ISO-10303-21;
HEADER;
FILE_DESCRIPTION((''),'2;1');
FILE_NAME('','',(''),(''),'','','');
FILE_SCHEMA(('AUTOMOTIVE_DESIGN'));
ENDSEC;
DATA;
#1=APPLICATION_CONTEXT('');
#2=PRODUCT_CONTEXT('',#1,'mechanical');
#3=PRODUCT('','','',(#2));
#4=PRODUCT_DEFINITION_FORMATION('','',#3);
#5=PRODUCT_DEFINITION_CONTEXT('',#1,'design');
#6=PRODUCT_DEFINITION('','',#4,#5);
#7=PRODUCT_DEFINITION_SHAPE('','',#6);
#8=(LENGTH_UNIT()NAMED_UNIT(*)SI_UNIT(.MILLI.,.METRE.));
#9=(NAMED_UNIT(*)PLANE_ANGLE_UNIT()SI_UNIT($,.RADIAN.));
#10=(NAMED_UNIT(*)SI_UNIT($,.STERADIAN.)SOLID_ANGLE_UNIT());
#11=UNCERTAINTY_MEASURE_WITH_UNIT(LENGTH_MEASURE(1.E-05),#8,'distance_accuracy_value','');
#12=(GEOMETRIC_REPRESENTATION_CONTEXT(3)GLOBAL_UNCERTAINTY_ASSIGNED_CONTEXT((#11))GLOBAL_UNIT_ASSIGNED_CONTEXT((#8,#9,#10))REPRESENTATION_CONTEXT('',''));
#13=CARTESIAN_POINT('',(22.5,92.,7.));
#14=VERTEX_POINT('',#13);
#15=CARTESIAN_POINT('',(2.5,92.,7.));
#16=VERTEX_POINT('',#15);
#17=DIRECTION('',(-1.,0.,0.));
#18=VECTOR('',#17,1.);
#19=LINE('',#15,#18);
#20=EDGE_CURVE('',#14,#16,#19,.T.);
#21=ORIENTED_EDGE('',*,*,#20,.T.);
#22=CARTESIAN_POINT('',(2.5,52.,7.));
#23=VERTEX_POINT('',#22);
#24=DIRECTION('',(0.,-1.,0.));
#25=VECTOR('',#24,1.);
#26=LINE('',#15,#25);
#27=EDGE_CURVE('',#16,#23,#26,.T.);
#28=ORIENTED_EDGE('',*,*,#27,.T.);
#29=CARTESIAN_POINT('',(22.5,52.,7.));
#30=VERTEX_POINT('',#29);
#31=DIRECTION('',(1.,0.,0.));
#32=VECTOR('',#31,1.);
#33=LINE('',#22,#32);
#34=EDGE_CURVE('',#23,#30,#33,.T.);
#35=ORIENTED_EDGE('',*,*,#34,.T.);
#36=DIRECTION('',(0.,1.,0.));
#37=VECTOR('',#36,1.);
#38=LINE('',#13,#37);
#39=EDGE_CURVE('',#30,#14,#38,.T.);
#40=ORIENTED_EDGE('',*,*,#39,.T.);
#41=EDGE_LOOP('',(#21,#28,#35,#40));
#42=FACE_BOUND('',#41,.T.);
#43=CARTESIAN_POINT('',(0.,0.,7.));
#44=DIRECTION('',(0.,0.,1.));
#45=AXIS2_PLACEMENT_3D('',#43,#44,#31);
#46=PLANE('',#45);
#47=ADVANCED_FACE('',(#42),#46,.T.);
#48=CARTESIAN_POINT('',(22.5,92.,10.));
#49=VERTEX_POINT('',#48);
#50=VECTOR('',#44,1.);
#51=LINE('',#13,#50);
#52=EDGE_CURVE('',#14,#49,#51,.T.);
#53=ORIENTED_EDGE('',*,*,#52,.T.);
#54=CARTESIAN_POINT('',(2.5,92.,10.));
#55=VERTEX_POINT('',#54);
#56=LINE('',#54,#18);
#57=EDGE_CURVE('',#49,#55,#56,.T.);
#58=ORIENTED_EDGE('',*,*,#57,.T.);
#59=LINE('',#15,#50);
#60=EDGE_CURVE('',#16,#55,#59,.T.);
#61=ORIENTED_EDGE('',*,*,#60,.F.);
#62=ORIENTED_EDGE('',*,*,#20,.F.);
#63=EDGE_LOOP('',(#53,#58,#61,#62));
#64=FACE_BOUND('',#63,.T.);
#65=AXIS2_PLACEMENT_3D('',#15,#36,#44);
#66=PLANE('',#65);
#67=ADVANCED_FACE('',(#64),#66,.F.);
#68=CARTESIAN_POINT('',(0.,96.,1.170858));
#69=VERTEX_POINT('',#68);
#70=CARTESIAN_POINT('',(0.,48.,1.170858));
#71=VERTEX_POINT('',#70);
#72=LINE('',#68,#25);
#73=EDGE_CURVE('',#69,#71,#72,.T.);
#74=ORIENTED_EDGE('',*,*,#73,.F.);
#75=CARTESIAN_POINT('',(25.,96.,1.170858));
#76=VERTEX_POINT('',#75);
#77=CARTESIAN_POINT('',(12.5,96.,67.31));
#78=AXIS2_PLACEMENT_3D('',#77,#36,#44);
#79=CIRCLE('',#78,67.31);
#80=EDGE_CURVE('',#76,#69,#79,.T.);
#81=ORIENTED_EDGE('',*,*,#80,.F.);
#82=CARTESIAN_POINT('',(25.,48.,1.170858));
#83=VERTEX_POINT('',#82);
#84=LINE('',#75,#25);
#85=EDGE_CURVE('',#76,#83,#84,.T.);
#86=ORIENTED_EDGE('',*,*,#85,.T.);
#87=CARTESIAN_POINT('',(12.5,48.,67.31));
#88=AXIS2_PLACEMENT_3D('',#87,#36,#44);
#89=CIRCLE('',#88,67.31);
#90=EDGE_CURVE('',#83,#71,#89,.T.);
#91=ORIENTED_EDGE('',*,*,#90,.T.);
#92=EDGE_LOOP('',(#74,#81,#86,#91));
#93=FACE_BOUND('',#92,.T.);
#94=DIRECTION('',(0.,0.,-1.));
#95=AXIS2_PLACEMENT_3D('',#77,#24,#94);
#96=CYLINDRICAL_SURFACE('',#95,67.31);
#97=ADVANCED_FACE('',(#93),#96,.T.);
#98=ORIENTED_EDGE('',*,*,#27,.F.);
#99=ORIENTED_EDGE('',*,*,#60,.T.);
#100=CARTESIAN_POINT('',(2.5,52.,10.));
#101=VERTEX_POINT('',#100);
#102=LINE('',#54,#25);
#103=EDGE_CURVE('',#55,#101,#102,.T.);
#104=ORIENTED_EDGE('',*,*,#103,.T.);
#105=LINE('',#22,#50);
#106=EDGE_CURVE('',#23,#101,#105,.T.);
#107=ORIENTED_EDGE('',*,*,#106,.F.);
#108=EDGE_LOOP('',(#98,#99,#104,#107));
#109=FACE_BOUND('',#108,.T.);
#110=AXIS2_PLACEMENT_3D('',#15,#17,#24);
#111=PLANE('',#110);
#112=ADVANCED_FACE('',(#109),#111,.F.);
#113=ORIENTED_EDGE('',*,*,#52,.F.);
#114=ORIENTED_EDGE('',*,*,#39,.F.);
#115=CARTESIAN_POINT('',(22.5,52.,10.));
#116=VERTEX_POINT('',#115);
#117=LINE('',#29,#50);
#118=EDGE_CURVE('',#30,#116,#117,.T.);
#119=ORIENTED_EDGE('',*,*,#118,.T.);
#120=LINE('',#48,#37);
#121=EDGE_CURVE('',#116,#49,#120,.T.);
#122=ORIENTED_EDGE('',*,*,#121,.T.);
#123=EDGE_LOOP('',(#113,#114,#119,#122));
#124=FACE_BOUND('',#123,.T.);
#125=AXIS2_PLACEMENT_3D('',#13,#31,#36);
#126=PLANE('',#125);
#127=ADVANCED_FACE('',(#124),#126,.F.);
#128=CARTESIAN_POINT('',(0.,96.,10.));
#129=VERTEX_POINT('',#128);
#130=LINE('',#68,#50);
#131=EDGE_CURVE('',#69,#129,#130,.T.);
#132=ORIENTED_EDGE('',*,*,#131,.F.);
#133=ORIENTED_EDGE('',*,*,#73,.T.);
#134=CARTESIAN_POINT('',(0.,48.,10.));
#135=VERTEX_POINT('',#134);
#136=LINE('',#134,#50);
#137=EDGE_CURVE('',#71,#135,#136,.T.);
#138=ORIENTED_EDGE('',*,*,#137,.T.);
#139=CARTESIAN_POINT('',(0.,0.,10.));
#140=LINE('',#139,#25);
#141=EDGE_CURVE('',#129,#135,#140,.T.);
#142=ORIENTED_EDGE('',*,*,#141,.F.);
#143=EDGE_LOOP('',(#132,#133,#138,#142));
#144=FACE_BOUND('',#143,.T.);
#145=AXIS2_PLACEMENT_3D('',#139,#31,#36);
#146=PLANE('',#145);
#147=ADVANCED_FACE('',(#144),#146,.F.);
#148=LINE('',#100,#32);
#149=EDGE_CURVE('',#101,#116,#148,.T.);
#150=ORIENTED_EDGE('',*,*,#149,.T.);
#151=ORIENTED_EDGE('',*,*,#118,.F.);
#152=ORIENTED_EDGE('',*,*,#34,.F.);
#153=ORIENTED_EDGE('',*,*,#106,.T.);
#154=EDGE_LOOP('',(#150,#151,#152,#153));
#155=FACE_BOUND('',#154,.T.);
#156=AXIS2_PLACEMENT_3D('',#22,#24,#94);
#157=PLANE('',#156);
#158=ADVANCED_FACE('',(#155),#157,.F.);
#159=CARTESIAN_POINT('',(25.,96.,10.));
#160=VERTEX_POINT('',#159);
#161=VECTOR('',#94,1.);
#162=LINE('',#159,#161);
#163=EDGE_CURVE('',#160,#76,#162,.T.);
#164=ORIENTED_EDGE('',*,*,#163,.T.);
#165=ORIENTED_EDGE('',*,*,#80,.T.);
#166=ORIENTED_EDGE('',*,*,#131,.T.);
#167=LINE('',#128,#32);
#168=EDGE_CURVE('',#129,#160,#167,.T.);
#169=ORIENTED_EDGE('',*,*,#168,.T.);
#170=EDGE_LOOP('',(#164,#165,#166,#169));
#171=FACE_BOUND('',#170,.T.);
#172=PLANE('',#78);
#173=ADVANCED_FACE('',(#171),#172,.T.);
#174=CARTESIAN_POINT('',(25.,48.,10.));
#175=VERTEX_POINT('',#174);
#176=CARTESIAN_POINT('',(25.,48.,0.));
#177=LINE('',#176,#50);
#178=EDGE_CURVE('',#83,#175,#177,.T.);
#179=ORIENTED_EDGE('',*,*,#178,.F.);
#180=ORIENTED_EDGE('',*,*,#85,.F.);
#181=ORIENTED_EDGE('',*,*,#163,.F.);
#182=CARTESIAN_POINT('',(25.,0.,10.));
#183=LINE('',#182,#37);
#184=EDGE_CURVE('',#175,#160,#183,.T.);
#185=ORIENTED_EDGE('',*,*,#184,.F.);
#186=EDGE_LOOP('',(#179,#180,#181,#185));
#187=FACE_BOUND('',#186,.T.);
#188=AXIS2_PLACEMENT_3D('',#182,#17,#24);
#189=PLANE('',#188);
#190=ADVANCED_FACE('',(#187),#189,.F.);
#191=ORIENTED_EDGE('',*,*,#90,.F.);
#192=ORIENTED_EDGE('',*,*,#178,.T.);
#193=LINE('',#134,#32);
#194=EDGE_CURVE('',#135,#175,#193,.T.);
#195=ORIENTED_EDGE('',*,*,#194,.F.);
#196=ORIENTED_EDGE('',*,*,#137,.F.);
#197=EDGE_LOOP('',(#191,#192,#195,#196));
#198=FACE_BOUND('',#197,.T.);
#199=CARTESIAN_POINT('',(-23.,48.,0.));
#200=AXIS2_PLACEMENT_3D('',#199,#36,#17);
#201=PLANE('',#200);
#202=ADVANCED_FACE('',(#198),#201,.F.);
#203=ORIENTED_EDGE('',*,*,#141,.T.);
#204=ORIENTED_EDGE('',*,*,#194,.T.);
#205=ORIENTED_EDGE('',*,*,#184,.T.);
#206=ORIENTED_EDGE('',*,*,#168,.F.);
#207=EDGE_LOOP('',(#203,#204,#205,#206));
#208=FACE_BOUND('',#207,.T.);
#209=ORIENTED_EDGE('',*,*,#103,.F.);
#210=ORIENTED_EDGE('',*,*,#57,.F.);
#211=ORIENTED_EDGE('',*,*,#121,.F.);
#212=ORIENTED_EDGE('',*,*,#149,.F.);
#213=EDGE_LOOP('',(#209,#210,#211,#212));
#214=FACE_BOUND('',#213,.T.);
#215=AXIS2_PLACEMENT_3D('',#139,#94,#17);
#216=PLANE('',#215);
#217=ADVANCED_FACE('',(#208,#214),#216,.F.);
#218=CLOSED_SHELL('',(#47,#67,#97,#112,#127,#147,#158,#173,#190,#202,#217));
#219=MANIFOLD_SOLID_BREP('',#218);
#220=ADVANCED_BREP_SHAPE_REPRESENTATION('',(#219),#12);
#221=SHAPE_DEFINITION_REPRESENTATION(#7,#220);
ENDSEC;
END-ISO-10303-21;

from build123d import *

# Parameters (mm, degrees)
SKETCH1_W           = 25
SKETCH1_H           = 48
BOSS_EXTRUDE1_DEPTH = 10
BOSS_EXTRUDE2_DEPTH = 48
SKETCH4_W           = 17.037497091
SKETCH4_H           = 48
CUT_EXTRUDE1_DEPTH  = 48
SKETCH5_W           = 20
SKETCH5_H           = 40
CUT_EXTRUDE2_DEPTH  = 3


with BuildPart() as part:
    # Sketch1 → Boss-Extrude1 (new body)
    with BuildSketch(Plane.XY):
        with Locations((12.5, 24)):
            Rectangle(SKETCH1_W, SKETCH1_H)
    extrude(amount=BOSS_EXTRUDE1_DEPTH)

    # Sketch3 → Boss-Extrude2 (add)
    with BuildSketch(Plane(origin=(0, 48, 0), x_dir=(1, 0, 0), z_dir=(0, 1, 0))):
        with BuildLine():
            Line((0, -1.170858034), (0, -10))
            Line((0, -10), (25, -10))
            Line((25, -10), (25, -1.170858034))
            ThreePointArc((25, -1.170858034), (12.5, 0), (0, -1.170858034))
        make_face()
    extrude(amount=BOSS_EXTRUDE2_DEPTH)

    # Sketch4 → Cut-Extrude1 (cut)
    with BuildSketch(Plane(origin=(25, 0, 0), x_dir=(0, 0, -1), z_dir=(1, 0, 0))):
        with Locations((-8.518748546, 24)):
            Rectangle(SKETCH4_W, SKETCH4_H)
    extrude(amount=-CUT_EXTRUDE1_DEPTH, mode=Mode.SUBTRACT)

    # Sketch5 → Cut-Extrude2 (cut)
    with BuildSketch(Plane.XY.offset(10)):
        with Locations((12.5, 72)):
            Rectangle(SKETCH5_W, SKETCH5_H)
    extrude(amount=-CUT_EXTRUDE2_DEPTH, mode=Mode.SUBTRACT)


solid = part.part
